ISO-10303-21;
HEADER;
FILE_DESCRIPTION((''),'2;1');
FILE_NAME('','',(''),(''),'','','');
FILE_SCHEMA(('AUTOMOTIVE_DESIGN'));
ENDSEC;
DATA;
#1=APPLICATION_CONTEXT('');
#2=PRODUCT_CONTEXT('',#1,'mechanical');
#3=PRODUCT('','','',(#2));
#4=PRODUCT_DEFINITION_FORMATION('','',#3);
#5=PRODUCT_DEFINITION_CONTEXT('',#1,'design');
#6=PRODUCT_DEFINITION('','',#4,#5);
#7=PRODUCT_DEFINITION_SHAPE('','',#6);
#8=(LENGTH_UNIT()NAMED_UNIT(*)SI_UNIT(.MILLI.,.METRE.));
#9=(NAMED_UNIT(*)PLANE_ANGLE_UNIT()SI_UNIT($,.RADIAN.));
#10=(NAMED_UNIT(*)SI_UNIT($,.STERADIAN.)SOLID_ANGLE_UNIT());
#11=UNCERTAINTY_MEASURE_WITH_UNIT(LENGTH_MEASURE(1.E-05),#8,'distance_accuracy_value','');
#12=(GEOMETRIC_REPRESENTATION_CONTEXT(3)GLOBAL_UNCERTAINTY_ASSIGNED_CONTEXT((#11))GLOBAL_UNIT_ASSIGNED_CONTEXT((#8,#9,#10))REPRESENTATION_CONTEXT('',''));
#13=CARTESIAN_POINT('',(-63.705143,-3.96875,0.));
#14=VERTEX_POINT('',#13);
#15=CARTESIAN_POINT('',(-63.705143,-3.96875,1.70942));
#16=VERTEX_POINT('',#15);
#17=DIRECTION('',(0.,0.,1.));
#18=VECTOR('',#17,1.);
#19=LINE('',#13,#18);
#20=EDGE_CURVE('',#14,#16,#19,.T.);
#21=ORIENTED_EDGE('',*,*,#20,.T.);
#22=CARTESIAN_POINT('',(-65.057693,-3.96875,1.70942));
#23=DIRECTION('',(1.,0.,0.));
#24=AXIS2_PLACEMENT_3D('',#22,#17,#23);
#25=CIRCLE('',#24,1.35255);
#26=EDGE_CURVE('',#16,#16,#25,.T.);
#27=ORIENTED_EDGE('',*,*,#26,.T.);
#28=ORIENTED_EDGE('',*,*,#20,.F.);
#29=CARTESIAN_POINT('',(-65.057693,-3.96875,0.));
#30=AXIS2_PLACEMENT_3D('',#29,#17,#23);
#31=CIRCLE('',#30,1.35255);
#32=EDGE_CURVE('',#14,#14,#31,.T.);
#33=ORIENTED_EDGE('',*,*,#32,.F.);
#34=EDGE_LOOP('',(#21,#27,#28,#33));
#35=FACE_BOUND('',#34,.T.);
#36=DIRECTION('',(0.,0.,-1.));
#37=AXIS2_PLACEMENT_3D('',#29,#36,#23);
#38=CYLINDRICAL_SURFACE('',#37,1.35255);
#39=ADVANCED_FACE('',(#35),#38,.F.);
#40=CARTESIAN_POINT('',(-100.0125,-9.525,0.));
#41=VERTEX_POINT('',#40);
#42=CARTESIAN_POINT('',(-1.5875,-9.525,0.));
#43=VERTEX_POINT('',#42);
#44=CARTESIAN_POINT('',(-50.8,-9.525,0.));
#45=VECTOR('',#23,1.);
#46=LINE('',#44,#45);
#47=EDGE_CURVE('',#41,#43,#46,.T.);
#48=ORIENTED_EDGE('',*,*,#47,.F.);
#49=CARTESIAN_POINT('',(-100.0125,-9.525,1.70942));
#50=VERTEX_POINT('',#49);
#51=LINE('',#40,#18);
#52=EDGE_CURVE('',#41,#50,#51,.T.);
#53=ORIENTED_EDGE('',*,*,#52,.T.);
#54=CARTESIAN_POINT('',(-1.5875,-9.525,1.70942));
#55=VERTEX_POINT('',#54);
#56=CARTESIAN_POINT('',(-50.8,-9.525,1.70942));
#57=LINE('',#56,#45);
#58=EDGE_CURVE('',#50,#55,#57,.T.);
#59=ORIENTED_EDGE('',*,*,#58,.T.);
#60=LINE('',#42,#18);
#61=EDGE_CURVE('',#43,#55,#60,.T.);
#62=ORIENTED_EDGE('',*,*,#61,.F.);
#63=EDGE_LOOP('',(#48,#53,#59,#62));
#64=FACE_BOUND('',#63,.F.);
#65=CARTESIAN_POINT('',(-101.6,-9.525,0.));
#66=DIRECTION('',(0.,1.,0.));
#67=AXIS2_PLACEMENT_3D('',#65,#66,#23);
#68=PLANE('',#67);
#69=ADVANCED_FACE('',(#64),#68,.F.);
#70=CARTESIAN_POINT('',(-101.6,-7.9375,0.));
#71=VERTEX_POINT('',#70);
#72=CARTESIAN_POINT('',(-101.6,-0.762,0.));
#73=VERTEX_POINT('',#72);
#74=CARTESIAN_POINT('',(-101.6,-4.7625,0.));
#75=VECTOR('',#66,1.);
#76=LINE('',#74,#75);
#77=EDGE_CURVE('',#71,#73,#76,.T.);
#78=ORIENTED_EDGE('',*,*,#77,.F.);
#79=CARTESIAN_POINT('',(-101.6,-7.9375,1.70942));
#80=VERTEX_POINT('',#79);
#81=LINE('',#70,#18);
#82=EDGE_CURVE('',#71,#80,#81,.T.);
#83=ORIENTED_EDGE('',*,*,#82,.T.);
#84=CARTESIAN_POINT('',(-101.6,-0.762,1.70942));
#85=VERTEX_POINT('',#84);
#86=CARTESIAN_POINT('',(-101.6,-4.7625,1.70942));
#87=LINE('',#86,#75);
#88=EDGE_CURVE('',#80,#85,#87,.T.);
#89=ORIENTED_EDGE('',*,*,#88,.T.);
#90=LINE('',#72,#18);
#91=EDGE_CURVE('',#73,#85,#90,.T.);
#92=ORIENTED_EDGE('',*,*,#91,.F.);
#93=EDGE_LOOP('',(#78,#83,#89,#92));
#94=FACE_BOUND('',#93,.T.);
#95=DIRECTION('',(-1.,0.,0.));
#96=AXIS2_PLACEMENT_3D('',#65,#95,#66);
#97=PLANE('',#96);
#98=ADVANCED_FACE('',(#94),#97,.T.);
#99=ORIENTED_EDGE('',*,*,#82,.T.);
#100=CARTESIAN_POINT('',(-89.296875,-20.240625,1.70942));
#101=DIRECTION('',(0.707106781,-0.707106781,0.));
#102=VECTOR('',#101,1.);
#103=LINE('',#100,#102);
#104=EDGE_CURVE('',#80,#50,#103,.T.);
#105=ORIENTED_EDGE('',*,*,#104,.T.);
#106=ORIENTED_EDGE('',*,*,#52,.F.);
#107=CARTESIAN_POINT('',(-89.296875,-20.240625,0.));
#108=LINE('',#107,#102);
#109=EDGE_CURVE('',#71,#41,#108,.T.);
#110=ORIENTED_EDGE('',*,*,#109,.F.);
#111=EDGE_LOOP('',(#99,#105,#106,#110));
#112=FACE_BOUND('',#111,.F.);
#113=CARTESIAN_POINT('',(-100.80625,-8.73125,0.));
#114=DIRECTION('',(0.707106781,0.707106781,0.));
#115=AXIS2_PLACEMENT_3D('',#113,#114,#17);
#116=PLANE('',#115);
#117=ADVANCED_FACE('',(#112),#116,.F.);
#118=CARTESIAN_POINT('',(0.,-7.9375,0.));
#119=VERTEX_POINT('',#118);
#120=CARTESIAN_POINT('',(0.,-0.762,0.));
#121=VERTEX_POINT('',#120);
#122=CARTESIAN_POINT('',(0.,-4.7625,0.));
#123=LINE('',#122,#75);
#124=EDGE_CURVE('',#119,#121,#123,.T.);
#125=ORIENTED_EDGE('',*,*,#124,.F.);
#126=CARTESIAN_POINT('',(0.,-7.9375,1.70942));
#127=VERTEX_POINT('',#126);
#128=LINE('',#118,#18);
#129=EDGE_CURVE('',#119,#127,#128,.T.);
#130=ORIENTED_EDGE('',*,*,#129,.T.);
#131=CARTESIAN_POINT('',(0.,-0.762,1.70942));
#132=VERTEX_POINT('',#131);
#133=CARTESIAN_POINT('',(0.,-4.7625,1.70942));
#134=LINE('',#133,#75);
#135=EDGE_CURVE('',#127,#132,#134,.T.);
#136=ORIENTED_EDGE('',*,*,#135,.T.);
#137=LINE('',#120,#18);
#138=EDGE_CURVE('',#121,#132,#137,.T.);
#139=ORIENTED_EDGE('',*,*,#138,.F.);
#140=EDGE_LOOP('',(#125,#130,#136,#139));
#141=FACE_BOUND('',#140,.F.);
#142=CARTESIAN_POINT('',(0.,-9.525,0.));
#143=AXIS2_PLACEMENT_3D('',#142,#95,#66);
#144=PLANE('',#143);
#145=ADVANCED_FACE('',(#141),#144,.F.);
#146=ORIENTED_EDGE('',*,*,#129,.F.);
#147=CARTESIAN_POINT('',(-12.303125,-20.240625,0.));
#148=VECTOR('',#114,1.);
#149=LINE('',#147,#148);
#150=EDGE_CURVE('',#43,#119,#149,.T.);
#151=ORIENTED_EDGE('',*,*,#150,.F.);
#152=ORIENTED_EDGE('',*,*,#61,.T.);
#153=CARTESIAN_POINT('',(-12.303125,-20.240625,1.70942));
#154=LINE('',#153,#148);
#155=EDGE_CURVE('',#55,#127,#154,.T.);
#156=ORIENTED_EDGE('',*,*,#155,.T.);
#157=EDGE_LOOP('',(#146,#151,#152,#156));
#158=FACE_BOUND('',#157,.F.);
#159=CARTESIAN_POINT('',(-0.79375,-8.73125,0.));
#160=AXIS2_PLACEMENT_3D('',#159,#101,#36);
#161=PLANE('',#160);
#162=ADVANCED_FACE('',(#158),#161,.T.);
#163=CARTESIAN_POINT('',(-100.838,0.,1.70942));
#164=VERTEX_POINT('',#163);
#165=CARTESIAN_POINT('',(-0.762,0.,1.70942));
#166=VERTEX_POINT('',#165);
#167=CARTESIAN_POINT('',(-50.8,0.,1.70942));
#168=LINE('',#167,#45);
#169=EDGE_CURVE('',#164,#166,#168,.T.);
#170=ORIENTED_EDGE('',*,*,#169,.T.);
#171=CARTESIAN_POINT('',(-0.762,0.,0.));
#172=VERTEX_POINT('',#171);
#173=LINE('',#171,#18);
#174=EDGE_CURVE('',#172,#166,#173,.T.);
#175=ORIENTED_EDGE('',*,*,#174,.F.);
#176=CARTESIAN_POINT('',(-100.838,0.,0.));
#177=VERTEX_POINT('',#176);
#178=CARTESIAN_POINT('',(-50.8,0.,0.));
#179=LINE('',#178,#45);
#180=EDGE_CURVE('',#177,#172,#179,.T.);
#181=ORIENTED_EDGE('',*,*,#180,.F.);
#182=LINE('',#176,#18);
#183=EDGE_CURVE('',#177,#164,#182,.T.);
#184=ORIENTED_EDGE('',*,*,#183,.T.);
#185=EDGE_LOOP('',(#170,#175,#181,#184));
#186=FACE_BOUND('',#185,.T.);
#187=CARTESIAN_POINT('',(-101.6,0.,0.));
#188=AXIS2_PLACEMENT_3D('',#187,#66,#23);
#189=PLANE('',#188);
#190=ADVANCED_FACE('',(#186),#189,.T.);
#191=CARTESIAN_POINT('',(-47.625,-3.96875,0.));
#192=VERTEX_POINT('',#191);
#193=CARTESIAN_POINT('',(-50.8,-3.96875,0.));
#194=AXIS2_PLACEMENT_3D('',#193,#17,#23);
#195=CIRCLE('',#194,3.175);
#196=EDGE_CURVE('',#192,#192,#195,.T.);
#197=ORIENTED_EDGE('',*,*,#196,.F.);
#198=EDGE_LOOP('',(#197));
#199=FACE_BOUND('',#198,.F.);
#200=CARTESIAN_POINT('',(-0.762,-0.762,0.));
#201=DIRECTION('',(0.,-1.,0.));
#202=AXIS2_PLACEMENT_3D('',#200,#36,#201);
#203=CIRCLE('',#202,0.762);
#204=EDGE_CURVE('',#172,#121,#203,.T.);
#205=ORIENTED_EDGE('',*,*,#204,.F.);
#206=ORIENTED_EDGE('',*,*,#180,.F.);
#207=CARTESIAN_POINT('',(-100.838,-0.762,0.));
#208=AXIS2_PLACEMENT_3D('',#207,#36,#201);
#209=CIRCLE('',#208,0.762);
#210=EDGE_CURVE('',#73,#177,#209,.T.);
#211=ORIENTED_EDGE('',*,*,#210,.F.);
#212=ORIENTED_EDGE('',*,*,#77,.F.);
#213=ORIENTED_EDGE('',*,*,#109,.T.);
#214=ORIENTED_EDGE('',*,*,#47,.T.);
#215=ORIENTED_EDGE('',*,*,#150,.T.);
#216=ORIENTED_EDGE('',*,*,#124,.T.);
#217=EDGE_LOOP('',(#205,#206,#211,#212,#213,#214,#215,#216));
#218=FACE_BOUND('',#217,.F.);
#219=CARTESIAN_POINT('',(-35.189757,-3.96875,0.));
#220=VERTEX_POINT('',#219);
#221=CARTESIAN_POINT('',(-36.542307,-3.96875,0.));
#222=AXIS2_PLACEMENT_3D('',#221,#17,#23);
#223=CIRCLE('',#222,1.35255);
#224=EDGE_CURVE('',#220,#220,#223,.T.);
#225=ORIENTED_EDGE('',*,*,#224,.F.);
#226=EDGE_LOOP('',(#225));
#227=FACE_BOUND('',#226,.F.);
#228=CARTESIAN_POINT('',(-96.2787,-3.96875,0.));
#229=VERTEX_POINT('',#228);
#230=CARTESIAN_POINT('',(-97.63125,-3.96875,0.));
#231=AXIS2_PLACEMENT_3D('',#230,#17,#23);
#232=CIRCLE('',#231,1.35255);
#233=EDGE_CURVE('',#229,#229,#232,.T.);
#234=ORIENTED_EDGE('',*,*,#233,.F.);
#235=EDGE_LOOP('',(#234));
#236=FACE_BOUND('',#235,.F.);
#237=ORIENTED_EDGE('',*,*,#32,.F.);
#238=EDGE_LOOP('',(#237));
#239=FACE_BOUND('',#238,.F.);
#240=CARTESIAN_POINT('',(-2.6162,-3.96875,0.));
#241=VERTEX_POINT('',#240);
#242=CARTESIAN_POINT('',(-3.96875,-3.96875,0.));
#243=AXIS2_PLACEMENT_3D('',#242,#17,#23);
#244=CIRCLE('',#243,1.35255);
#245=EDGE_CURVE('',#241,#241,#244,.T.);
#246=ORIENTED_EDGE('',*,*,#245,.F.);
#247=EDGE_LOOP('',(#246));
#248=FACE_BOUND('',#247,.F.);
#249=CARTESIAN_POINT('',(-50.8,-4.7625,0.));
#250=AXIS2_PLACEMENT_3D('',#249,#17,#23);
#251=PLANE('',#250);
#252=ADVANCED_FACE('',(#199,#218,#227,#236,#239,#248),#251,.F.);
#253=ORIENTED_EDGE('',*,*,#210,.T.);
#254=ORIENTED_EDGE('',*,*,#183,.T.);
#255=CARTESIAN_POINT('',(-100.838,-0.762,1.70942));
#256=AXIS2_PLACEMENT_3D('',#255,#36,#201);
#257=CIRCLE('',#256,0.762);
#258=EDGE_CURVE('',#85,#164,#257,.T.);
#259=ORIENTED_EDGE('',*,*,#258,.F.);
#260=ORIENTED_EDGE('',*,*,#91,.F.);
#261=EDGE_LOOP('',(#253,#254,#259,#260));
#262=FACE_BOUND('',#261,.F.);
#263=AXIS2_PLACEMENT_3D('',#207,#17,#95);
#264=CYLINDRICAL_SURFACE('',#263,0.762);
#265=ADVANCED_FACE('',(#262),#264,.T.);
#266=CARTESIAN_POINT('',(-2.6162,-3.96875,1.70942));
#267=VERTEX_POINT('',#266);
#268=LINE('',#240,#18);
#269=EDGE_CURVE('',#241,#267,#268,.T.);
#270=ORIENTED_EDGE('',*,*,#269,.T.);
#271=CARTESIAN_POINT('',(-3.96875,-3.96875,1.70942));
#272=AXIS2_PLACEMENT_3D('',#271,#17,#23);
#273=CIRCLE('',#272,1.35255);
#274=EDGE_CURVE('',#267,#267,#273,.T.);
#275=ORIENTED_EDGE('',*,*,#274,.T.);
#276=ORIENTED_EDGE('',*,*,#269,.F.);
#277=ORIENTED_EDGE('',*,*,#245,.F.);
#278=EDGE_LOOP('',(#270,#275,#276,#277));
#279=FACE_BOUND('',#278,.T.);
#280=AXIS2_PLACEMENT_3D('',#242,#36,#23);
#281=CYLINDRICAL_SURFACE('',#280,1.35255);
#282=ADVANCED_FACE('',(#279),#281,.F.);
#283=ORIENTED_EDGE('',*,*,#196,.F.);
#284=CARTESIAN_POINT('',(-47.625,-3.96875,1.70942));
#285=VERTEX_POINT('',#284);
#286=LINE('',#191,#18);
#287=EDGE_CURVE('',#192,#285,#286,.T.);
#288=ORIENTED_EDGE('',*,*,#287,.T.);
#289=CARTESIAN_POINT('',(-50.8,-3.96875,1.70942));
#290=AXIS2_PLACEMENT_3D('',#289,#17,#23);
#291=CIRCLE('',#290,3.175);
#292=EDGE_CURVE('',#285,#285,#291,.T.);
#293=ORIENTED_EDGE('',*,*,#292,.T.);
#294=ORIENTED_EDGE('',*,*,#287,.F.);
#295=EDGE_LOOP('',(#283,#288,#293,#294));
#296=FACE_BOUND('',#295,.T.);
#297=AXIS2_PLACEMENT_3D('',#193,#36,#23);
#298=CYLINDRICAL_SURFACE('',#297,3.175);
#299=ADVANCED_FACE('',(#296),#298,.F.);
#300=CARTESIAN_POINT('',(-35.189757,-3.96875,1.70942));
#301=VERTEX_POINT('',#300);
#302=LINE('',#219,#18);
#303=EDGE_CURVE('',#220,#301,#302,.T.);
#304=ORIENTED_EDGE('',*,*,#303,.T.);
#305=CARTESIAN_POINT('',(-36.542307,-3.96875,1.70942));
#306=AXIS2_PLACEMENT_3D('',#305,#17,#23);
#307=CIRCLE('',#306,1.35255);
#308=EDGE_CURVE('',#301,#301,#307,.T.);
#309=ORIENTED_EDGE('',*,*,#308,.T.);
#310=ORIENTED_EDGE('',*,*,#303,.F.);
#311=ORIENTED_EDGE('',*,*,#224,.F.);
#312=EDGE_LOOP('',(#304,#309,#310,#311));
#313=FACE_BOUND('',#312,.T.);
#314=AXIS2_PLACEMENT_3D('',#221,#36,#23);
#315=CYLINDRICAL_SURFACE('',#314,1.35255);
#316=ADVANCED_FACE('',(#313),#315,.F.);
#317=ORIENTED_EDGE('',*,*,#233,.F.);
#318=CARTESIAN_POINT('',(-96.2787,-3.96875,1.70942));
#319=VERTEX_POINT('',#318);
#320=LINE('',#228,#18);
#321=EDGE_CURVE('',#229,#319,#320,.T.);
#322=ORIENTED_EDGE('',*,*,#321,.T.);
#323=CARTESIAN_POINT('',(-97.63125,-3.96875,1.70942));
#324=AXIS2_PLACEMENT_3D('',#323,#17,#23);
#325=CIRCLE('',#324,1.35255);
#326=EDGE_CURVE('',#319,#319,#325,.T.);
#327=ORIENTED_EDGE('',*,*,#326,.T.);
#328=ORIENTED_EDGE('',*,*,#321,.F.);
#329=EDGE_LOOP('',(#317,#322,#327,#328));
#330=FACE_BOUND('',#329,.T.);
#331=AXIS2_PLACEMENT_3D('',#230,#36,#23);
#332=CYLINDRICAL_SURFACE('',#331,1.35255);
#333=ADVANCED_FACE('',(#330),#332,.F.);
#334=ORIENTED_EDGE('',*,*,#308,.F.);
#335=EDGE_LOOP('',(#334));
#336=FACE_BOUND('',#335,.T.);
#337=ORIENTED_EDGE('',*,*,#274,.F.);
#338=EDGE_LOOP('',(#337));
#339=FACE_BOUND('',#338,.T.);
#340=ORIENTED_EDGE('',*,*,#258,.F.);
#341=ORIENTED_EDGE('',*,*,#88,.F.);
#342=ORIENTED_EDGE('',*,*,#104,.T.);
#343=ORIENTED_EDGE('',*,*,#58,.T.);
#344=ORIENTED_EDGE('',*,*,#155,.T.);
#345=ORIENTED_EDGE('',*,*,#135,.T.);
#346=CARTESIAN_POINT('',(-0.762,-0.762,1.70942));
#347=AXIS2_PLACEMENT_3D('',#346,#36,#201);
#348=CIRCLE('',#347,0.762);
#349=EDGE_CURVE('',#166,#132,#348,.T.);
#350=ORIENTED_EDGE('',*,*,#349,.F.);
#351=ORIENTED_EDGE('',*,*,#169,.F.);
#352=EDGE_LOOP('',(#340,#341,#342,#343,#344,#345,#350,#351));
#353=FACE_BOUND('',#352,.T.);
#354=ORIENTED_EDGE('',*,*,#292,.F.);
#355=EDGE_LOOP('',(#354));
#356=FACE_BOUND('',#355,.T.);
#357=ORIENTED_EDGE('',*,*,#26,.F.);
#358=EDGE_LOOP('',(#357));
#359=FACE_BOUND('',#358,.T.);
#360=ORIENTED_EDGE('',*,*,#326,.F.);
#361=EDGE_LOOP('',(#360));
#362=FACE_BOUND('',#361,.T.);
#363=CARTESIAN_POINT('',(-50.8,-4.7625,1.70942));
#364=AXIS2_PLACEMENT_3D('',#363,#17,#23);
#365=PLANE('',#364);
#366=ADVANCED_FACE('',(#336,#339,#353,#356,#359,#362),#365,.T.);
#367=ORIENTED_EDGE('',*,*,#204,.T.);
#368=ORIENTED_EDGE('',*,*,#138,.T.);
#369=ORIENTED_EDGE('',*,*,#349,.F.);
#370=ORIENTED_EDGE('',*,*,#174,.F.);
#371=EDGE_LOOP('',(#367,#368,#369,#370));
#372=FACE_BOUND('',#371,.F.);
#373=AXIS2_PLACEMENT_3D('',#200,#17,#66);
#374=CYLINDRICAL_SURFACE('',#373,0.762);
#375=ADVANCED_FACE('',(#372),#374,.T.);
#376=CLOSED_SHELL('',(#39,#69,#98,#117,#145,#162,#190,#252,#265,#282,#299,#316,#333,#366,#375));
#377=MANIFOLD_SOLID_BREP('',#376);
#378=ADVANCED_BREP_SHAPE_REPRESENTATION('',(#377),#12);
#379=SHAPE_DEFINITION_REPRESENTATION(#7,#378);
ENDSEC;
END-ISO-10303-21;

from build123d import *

# Parameters (mm, degrees)
F0_W     = 101.6
F0_H     = 9.525
F0_R     = 1.35255
F0_R_2   = 3.175
F1_DEPTH = 1.70942
F2_R     = 0.762
F3_SIZE  = 1.5875


with BuildPart() as f1:
    # F0 (on Top) → F1 (new body)
    with BuildSketch(Plane.XY):
        with Locations((-50.8, -4.7625)):
            Rectangle(F0_W, F0_H)
        with Locations((-97.63125, -3.96875)):
            Circle(F0_R, mode=Mode.SUBTRACT)
        with Locations((-65.057693, -3.96875)):
            Circle(F0_R, mode=Mode.SUBTRACT)
        with Locations((-50.8, -3.96875)):
            Circle(F0_R_2, mode=Mode.SUBTRACT)
        with Locations((-36.542307, -3.96875)):
            Circle(F0_R, mode=Mode.SUBTRACT)
        with Locations((-3.96875, -3.96875)):
            Circle(F0_R, mode=Mode.SUBTRACT)
    extrude(amount=F1_DEPTH)

    # F2
    f2_edges = [f1.edges().sort_by_distance(p)[0] for p in [
        (-101.6, 0, 0.85471),
        (0, 0, 0.85471),
    ]]
    fillet(f2_edges, radius=F2_R)

    # F3
    f3_edges = [f1.edges().sort_by_distance(p)[0] for p in [
        (0, -9.525, 0.85471),
        (-101.6, -9.525, 0.85471),
    ]]
    chamfer(f3_edges, length=F3_SIZE)


solid = f1.part
